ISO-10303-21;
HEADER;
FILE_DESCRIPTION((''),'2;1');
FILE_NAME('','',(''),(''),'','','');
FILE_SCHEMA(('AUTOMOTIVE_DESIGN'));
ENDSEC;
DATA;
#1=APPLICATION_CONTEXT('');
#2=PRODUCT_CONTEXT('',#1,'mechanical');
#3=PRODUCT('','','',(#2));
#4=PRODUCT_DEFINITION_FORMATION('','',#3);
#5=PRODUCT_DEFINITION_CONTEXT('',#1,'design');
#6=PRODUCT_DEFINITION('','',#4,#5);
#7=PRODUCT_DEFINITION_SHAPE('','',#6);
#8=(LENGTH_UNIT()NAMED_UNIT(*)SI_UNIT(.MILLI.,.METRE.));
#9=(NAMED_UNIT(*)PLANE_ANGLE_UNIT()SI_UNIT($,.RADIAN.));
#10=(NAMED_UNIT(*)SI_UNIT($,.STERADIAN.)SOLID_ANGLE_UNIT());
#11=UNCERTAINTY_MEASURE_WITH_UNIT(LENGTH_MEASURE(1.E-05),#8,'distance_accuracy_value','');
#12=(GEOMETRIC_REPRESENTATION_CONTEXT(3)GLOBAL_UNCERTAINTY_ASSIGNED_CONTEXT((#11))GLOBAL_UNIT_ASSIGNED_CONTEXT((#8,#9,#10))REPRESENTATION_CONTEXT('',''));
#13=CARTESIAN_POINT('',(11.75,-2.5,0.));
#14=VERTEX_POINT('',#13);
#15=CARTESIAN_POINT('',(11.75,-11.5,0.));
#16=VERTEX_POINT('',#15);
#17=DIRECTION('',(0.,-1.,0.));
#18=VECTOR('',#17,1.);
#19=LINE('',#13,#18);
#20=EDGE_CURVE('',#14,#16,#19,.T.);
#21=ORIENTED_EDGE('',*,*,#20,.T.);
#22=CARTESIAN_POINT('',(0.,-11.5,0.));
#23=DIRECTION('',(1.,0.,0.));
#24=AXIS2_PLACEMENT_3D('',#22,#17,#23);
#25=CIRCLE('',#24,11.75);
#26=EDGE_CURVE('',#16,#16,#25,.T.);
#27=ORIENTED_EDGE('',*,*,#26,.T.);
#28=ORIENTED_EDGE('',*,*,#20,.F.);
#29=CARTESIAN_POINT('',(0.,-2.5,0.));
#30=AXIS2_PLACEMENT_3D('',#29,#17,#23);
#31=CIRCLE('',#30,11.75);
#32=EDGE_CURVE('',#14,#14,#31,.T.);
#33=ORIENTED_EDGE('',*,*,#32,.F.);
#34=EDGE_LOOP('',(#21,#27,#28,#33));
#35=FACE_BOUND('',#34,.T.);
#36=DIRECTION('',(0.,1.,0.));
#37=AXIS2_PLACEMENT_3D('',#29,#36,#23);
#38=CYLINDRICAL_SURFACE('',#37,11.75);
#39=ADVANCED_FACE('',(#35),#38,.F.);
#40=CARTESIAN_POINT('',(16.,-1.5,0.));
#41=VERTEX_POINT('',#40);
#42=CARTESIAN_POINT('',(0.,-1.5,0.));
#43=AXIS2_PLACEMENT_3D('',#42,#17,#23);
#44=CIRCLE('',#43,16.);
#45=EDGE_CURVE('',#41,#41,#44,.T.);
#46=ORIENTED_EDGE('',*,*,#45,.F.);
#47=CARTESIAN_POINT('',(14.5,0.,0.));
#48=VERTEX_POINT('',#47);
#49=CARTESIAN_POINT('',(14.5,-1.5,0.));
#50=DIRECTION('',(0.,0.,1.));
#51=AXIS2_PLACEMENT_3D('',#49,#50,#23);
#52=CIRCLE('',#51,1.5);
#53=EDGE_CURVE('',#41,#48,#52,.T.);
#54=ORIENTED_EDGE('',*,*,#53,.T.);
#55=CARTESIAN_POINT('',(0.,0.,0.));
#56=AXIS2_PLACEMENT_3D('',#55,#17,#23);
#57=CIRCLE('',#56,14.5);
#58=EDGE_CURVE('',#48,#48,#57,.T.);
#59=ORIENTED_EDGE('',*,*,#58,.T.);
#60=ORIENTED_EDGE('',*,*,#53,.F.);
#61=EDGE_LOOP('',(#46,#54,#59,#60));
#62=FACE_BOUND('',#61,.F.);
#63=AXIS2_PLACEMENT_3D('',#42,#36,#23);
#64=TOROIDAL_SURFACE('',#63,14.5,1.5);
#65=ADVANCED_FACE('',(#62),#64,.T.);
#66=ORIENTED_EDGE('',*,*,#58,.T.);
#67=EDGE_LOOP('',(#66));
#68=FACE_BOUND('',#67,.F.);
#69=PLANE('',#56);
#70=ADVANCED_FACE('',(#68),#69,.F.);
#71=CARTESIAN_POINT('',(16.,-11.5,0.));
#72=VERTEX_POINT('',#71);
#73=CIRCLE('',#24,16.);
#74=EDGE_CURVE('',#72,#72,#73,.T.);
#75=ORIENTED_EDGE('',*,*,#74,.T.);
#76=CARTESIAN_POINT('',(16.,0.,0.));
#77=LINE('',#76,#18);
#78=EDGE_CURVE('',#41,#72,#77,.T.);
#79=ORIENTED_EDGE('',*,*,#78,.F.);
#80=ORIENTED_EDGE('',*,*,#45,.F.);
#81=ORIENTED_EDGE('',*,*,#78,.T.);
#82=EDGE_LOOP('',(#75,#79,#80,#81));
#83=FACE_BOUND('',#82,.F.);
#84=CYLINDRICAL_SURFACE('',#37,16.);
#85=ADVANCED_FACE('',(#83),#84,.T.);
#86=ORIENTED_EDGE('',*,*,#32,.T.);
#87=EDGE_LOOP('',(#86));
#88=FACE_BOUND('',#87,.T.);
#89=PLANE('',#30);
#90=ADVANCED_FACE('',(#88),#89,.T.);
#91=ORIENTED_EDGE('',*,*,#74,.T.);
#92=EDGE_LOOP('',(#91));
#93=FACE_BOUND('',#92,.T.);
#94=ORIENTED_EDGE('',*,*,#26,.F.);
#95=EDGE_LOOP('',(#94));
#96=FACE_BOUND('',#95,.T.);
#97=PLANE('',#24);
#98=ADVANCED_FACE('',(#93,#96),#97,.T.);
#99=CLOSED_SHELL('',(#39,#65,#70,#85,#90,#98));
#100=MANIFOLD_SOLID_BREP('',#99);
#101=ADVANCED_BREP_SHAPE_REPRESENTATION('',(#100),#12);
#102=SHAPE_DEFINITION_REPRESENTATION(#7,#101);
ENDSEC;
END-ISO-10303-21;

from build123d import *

# Parameters (mm, degrees)
F0_R     = 16
F1_DEPTH = 2.5
F2_R     = 16
F2_R_2   = 11.75
F3_DEPTH = 9
F4_R     = 1.5


with BuildPart() as f1:
    # F0 (on Front) → F1 (new body)
    with BuildSketch(Plane.XZ):
        Circle(F0_R)
    extrude(amount=F1_DEPTH)

    # F2 (on face) → F3 (join)
    with BuildSketch(Plane.XZ.offset(2.5)):
        Circle(F2_R)
        Circle(F2_R_2, mode=Mode.SUBTRACT)
    extrude(amount=F3_DEPTH)

    # F4
    f4_edges = [f1.edges().sort_by_distance(p)[0] for p in [
        (-16, 0, 0),
    ]]
    fillet(f4_edges, radius=F4_R)


solid = f1.part
